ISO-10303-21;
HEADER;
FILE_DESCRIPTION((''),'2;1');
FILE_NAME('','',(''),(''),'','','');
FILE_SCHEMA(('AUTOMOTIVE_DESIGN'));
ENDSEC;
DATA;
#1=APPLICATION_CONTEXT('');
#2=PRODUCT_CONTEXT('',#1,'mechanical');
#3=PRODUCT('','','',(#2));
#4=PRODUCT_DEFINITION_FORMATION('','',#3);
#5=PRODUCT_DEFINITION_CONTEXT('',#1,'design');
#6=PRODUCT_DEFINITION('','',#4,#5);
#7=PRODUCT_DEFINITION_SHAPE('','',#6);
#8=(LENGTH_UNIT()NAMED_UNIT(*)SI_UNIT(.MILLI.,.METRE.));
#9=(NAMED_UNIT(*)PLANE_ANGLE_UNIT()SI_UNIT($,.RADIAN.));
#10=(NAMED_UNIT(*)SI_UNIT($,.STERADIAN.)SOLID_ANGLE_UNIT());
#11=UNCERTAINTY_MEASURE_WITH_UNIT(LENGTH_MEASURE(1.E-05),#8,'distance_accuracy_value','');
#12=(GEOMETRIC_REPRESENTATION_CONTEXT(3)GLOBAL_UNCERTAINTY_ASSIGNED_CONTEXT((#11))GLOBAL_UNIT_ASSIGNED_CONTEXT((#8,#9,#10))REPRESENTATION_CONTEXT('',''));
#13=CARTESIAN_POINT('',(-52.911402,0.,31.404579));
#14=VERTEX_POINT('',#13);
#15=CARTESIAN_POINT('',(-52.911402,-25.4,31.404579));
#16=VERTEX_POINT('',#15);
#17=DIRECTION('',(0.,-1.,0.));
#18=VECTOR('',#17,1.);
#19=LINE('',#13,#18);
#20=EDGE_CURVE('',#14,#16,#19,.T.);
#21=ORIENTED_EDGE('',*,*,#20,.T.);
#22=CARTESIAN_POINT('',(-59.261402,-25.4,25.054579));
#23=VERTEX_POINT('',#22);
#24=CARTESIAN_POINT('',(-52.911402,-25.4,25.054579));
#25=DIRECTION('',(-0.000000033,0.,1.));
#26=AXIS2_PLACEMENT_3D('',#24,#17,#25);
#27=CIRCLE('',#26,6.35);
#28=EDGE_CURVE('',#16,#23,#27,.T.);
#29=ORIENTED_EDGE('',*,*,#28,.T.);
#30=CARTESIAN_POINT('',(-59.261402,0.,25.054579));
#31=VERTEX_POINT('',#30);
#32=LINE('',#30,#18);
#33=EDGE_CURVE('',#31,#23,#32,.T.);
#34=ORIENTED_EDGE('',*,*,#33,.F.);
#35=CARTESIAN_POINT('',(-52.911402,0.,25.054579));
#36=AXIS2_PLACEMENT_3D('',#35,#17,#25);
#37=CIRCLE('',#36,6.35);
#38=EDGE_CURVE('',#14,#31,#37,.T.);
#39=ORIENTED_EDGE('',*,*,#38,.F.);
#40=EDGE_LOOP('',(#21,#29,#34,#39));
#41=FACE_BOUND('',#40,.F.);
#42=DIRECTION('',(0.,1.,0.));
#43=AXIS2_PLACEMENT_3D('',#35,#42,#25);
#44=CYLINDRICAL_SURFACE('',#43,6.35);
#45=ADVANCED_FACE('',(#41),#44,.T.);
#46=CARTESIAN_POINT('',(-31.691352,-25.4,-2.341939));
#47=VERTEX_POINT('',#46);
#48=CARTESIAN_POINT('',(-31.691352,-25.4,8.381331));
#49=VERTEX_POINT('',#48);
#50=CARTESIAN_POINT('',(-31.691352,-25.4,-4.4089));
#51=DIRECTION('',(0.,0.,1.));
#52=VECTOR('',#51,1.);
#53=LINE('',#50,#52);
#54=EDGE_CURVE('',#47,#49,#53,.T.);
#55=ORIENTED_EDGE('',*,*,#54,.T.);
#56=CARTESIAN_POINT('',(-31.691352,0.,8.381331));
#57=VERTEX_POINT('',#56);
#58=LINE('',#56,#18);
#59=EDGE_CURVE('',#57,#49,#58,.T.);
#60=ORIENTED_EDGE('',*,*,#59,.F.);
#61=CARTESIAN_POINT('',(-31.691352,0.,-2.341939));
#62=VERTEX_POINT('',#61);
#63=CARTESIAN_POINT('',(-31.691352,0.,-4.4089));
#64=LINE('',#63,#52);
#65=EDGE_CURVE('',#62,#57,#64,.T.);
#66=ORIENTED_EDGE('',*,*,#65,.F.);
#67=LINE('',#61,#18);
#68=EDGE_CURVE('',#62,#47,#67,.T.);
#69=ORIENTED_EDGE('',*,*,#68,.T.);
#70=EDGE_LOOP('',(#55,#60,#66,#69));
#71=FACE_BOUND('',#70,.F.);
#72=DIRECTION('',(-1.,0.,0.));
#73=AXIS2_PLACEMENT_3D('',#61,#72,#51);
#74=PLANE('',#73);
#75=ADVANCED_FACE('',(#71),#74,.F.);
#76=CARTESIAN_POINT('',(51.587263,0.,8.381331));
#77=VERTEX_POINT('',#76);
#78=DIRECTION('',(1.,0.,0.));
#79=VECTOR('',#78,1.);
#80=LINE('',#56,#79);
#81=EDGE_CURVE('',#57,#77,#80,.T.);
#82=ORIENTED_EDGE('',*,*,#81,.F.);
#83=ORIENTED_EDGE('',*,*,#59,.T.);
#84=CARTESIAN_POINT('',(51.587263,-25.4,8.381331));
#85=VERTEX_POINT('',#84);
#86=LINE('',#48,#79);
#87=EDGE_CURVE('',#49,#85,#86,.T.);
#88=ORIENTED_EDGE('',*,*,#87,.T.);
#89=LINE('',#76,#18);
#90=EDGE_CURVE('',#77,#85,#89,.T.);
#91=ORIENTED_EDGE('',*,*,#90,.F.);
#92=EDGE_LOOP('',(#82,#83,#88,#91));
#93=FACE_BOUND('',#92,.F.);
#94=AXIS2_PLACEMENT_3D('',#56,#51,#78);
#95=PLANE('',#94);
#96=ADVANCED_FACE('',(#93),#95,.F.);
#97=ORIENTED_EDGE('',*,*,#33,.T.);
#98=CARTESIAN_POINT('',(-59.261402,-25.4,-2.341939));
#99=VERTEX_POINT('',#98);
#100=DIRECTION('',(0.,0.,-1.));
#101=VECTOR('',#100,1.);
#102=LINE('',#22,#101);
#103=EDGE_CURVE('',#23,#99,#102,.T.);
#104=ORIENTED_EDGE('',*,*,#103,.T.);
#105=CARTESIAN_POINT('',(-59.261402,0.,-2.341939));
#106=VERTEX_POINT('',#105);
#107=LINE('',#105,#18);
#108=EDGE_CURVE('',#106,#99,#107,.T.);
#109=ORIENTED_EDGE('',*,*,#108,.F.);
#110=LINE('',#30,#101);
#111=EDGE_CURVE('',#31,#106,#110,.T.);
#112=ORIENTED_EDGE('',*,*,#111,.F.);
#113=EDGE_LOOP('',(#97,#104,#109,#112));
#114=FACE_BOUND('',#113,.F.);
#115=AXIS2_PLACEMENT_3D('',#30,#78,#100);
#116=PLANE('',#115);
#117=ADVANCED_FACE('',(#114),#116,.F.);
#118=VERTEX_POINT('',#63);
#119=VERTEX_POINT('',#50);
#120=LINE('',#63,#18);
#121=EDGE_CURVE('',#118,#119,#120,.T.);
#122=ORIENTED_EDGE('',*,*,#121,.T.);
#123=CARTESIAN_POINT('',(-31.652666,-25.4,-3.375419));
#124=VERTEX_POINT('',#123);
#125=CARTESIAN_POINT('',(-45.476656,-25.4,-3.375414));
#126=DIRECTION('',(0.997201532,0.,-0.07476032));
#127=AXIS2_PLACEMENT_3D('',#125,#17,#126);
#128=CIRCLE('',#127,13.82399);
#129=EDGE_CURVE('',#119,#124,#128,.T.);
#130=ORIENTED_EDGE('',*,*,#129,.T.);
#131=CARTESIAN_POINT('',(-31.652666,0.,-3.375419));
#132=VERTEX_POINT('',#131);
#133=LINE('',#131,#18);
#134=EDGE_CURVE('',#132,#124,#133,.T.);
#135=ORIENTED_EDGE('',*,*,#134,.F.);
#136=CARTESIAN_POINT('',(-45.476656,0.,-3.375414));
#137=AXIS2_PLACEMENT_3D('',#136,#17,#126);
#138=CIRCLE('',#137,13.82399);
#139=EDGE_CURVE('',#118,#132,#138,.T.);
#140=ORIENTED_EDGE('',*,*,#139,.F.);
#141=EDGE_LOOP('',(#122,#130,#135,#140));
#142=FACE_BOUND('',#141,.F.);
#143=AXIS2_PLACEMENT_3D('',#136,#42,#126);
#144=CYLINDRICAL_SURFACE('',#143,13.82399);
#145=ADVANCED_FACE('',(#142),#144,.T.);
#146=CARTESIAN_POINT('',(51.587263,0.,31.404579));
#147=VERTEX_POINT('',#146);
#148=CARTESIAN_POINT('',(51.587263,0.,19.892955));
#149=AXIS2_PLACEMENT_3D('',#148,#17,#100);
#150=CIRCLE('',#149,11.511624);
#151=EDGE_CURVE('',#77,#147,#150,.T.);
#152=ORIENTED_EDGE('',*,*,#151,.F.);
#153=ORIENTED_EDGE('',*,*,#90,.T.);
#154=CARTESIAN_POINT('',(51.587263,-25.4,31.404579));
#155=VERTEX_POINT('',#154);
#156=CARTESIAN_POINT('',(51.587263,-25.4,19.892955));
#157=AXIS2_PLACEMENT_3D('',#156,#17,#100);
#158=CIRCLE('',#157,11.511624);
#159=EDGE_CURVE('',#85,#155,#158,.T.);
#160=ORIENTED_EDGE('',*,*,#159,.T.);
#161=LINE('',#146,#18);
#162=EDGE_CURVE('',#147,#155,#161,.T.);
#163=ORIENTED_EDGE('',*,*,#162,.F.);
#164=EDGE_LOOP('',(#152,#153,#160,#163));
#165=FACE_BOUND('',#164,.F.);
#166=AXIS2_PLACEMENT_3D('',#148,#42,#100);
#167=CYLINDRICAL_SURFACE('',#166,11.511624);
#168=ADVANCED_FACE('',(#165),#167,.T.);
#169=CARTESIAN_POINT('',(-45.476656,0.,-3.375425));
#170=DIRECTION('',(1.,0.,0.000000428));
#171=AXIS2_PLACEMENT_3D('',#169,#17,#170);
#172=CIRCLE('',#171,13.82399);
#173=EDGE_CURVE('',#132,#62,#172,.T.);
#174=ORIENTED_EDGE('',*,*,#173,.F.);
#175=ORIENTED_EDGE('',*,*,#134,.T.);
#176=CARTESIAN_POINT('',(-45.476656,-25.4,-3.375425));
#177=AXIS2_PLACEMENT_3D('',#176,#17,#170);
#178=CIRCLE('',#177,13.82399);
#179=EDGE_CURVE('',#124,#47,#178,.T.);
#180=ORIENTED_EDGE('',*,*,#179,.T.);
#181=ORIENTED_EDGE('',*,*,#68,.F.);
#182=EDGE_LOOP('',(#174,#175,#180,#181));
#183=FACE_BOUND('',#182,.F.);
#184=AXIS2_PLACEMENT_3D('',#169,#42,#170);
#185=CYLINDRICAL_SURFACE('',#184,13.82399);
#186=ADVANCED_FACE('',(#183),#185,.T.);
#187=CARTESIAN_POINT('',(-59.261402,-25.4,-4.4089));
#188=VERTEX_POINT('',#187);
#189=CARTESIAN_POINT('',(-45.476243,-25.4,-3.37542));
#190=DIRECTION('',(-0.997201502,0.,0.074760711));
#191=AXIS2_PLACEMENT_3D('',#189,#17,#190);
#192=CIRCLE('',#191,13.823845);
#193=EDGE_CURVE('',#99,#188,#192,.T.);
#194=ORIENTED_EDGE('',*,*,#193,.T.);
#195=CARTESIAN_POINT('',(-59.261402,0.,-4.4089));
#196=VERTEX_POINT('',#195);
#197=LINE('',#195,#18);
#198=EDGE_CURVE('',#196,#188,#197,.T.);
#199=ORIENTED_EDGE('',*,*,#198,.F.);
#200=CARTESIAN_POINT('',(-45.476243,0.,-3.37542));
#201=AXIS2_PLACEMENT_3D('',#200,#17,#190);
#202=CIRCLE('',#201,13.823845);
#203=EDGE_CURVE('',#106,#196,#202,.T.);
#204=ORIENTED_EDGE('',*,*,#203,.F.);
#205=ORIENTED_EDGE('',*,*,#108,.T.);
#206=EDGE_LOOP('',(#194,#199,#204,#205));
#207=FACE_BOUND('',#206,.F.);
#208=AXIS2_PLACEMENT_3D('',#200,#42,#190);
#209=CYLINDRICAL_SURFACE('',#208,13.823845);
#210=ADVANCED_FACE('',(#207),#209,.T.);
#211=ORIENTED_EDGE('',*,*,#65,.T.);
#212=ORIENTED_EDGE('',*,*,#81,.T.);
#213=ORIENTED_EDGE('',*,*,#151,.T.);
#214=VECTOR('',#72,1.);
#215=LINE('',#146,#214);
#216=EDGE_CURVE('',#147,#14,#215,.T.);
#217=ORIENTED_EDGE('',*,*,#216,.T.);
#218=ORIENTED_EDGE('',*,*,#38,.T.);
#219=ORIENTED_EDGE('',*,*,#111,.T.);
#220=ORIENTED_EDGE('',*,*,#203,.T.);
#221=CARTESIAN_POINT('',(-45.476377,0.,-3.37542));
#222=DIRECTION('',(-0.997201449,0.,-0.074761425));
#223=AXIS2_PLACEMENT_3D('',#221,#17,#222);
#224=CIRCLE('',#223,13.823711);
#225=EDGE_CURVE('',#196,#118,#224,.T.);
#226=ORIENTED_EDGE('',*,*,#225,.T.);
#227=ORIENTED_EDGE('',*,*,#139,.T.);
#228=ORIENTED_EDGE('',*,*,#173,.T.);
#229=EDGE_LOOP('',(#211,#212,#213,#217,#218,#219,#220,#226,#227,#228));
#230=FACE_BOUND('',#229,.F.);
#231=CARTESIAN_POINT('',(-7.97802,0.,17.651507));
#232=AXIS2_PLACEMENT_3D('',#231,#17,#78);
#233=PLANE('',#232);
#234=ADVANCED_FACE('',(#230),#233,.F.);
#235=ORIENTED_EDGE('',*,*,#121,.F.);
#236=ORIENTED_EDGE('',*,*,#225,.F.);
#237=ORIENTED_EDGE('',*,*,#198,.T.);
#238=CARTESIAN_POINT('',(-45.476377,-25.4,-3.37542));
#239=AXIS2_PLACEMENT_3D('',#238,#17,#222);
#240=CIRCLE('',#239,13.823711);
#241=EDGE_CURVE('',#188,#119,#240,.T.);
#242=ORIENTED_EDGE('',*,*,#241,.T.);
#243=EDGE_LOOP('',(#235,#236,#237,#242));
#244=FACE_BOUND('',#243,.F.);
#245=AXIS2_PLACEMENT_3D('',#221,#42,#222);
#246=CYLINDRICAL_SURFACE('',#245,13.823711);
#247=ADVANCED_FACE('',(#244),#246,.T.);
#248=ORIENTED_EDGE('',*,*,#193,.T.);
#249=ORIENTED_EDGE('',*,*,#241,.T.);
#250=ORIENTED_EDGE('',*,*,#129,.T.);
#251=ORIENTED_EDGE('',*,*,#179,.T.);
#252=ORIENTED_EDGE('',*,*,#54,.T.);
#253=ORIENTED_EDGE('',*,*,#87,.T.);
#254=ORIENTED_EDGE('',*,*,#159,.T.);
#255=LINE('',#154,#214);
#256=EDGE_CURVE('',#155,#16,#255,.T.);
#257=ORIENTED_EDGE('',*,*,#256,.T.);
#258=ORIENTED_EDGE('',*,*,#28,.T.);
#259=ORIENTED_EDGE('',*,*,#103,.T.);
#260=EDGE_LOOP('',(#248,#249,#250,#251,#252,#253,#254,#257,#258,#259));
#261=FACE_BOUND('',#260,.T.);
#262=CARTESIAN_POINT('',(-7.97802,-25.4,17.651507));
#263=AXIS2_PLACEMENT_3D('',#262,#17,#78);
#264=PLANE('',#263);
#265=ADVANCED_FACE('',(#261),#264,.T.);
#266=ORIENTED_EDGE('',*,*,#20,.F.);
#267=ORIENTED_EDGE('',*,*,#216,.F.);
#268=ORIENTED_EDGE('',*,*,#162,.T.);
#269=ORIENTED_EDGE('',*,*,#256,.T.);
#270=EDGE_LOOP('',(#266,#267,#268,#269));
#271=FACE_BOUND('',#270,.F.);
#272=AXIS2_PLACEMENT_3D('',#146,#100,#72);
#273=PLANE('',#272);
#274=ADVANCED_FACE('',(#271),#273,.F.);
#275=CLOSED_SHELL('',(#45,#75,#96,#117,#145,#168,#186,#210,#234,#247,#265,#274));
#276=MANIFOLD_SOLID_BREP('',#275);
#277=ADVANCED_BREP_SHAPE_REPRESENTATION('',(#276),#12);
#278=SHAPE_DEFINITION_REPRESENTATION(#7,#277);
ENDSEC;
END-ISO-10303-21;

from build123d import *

# Parameters (mm, degrees)
F1_DEPTH = 25.4


with BuildPart() as f1:
    # F0 (on Front) → F1 (new body)
    with BuildSketch(Plane.XZ):
        with BuildLine():
            Line((51.587263, 31.404579), (-52.911402, 31.404579))
            ThreePointArc((-52.911402, 31.404579), (-57.40153, 29.544707), (-59.261402, 25.054579))
            Line((-59.261402, 25.054579), (-59.261402, -2.341939))
            ThreePointArc((-59.261402, -2.341939), (-45.476377, 10.448292), (-31.691352, -2.341939))
            Line((-31.691352, -2.341939), (-31.691352, 8.381331))
            Line((-31.691352, 8.381331), (51.587263, 8.381331))
            Line((51.587263, 8.381331), (51.587263, 31.404579))
        make_face()
        with BuildLine():
            ThreePointArc((51.587263, 8.381331), (63.098887, 19.892955), (51.587263, 31.404579))
            Line((51.587263, 31.404579), (51.587263, 8.381331))
        make_face()
        with BuildLine():
            ThreePointArc((-31.691352, -2.341939), (-45.476377, 10.448292), (-59.261402, -2.341939))
            Line((-59.261402, -2.341939), (-59.261402, -4.4089))
            ThreePointArc((-59.261402, -4.4089), (-45.476377, -17.199131), (-31.691352, -4.4089))
            Line((-31.691352, -4.4089), (-31.691352, -2.341939))
        make_face()
        with BuildLine():
            Line((-59.261402, -4.4089), (-59.261402, -2.341939))
            ThreePointArc((-59.261402, -2.341939), (-59.300088, -3.375419), (-59.261402, -4.4089))
        make_face()
        with BuildLine():
            ThreePointArc((-31.652666, -3.375419), (-31.662341, -2.858317), (-31.691352, -2.341939))
            Line((-31.691352, -2.341939), (-31.691352, -4.4089))
            ThreePointArc((-31.691352, -4.4089), (-31.662341, -3.892522), (-31.652666, -3.375419))
        make_face()
    extrude(amount=F1_DEPTH)


solid = f1.part
